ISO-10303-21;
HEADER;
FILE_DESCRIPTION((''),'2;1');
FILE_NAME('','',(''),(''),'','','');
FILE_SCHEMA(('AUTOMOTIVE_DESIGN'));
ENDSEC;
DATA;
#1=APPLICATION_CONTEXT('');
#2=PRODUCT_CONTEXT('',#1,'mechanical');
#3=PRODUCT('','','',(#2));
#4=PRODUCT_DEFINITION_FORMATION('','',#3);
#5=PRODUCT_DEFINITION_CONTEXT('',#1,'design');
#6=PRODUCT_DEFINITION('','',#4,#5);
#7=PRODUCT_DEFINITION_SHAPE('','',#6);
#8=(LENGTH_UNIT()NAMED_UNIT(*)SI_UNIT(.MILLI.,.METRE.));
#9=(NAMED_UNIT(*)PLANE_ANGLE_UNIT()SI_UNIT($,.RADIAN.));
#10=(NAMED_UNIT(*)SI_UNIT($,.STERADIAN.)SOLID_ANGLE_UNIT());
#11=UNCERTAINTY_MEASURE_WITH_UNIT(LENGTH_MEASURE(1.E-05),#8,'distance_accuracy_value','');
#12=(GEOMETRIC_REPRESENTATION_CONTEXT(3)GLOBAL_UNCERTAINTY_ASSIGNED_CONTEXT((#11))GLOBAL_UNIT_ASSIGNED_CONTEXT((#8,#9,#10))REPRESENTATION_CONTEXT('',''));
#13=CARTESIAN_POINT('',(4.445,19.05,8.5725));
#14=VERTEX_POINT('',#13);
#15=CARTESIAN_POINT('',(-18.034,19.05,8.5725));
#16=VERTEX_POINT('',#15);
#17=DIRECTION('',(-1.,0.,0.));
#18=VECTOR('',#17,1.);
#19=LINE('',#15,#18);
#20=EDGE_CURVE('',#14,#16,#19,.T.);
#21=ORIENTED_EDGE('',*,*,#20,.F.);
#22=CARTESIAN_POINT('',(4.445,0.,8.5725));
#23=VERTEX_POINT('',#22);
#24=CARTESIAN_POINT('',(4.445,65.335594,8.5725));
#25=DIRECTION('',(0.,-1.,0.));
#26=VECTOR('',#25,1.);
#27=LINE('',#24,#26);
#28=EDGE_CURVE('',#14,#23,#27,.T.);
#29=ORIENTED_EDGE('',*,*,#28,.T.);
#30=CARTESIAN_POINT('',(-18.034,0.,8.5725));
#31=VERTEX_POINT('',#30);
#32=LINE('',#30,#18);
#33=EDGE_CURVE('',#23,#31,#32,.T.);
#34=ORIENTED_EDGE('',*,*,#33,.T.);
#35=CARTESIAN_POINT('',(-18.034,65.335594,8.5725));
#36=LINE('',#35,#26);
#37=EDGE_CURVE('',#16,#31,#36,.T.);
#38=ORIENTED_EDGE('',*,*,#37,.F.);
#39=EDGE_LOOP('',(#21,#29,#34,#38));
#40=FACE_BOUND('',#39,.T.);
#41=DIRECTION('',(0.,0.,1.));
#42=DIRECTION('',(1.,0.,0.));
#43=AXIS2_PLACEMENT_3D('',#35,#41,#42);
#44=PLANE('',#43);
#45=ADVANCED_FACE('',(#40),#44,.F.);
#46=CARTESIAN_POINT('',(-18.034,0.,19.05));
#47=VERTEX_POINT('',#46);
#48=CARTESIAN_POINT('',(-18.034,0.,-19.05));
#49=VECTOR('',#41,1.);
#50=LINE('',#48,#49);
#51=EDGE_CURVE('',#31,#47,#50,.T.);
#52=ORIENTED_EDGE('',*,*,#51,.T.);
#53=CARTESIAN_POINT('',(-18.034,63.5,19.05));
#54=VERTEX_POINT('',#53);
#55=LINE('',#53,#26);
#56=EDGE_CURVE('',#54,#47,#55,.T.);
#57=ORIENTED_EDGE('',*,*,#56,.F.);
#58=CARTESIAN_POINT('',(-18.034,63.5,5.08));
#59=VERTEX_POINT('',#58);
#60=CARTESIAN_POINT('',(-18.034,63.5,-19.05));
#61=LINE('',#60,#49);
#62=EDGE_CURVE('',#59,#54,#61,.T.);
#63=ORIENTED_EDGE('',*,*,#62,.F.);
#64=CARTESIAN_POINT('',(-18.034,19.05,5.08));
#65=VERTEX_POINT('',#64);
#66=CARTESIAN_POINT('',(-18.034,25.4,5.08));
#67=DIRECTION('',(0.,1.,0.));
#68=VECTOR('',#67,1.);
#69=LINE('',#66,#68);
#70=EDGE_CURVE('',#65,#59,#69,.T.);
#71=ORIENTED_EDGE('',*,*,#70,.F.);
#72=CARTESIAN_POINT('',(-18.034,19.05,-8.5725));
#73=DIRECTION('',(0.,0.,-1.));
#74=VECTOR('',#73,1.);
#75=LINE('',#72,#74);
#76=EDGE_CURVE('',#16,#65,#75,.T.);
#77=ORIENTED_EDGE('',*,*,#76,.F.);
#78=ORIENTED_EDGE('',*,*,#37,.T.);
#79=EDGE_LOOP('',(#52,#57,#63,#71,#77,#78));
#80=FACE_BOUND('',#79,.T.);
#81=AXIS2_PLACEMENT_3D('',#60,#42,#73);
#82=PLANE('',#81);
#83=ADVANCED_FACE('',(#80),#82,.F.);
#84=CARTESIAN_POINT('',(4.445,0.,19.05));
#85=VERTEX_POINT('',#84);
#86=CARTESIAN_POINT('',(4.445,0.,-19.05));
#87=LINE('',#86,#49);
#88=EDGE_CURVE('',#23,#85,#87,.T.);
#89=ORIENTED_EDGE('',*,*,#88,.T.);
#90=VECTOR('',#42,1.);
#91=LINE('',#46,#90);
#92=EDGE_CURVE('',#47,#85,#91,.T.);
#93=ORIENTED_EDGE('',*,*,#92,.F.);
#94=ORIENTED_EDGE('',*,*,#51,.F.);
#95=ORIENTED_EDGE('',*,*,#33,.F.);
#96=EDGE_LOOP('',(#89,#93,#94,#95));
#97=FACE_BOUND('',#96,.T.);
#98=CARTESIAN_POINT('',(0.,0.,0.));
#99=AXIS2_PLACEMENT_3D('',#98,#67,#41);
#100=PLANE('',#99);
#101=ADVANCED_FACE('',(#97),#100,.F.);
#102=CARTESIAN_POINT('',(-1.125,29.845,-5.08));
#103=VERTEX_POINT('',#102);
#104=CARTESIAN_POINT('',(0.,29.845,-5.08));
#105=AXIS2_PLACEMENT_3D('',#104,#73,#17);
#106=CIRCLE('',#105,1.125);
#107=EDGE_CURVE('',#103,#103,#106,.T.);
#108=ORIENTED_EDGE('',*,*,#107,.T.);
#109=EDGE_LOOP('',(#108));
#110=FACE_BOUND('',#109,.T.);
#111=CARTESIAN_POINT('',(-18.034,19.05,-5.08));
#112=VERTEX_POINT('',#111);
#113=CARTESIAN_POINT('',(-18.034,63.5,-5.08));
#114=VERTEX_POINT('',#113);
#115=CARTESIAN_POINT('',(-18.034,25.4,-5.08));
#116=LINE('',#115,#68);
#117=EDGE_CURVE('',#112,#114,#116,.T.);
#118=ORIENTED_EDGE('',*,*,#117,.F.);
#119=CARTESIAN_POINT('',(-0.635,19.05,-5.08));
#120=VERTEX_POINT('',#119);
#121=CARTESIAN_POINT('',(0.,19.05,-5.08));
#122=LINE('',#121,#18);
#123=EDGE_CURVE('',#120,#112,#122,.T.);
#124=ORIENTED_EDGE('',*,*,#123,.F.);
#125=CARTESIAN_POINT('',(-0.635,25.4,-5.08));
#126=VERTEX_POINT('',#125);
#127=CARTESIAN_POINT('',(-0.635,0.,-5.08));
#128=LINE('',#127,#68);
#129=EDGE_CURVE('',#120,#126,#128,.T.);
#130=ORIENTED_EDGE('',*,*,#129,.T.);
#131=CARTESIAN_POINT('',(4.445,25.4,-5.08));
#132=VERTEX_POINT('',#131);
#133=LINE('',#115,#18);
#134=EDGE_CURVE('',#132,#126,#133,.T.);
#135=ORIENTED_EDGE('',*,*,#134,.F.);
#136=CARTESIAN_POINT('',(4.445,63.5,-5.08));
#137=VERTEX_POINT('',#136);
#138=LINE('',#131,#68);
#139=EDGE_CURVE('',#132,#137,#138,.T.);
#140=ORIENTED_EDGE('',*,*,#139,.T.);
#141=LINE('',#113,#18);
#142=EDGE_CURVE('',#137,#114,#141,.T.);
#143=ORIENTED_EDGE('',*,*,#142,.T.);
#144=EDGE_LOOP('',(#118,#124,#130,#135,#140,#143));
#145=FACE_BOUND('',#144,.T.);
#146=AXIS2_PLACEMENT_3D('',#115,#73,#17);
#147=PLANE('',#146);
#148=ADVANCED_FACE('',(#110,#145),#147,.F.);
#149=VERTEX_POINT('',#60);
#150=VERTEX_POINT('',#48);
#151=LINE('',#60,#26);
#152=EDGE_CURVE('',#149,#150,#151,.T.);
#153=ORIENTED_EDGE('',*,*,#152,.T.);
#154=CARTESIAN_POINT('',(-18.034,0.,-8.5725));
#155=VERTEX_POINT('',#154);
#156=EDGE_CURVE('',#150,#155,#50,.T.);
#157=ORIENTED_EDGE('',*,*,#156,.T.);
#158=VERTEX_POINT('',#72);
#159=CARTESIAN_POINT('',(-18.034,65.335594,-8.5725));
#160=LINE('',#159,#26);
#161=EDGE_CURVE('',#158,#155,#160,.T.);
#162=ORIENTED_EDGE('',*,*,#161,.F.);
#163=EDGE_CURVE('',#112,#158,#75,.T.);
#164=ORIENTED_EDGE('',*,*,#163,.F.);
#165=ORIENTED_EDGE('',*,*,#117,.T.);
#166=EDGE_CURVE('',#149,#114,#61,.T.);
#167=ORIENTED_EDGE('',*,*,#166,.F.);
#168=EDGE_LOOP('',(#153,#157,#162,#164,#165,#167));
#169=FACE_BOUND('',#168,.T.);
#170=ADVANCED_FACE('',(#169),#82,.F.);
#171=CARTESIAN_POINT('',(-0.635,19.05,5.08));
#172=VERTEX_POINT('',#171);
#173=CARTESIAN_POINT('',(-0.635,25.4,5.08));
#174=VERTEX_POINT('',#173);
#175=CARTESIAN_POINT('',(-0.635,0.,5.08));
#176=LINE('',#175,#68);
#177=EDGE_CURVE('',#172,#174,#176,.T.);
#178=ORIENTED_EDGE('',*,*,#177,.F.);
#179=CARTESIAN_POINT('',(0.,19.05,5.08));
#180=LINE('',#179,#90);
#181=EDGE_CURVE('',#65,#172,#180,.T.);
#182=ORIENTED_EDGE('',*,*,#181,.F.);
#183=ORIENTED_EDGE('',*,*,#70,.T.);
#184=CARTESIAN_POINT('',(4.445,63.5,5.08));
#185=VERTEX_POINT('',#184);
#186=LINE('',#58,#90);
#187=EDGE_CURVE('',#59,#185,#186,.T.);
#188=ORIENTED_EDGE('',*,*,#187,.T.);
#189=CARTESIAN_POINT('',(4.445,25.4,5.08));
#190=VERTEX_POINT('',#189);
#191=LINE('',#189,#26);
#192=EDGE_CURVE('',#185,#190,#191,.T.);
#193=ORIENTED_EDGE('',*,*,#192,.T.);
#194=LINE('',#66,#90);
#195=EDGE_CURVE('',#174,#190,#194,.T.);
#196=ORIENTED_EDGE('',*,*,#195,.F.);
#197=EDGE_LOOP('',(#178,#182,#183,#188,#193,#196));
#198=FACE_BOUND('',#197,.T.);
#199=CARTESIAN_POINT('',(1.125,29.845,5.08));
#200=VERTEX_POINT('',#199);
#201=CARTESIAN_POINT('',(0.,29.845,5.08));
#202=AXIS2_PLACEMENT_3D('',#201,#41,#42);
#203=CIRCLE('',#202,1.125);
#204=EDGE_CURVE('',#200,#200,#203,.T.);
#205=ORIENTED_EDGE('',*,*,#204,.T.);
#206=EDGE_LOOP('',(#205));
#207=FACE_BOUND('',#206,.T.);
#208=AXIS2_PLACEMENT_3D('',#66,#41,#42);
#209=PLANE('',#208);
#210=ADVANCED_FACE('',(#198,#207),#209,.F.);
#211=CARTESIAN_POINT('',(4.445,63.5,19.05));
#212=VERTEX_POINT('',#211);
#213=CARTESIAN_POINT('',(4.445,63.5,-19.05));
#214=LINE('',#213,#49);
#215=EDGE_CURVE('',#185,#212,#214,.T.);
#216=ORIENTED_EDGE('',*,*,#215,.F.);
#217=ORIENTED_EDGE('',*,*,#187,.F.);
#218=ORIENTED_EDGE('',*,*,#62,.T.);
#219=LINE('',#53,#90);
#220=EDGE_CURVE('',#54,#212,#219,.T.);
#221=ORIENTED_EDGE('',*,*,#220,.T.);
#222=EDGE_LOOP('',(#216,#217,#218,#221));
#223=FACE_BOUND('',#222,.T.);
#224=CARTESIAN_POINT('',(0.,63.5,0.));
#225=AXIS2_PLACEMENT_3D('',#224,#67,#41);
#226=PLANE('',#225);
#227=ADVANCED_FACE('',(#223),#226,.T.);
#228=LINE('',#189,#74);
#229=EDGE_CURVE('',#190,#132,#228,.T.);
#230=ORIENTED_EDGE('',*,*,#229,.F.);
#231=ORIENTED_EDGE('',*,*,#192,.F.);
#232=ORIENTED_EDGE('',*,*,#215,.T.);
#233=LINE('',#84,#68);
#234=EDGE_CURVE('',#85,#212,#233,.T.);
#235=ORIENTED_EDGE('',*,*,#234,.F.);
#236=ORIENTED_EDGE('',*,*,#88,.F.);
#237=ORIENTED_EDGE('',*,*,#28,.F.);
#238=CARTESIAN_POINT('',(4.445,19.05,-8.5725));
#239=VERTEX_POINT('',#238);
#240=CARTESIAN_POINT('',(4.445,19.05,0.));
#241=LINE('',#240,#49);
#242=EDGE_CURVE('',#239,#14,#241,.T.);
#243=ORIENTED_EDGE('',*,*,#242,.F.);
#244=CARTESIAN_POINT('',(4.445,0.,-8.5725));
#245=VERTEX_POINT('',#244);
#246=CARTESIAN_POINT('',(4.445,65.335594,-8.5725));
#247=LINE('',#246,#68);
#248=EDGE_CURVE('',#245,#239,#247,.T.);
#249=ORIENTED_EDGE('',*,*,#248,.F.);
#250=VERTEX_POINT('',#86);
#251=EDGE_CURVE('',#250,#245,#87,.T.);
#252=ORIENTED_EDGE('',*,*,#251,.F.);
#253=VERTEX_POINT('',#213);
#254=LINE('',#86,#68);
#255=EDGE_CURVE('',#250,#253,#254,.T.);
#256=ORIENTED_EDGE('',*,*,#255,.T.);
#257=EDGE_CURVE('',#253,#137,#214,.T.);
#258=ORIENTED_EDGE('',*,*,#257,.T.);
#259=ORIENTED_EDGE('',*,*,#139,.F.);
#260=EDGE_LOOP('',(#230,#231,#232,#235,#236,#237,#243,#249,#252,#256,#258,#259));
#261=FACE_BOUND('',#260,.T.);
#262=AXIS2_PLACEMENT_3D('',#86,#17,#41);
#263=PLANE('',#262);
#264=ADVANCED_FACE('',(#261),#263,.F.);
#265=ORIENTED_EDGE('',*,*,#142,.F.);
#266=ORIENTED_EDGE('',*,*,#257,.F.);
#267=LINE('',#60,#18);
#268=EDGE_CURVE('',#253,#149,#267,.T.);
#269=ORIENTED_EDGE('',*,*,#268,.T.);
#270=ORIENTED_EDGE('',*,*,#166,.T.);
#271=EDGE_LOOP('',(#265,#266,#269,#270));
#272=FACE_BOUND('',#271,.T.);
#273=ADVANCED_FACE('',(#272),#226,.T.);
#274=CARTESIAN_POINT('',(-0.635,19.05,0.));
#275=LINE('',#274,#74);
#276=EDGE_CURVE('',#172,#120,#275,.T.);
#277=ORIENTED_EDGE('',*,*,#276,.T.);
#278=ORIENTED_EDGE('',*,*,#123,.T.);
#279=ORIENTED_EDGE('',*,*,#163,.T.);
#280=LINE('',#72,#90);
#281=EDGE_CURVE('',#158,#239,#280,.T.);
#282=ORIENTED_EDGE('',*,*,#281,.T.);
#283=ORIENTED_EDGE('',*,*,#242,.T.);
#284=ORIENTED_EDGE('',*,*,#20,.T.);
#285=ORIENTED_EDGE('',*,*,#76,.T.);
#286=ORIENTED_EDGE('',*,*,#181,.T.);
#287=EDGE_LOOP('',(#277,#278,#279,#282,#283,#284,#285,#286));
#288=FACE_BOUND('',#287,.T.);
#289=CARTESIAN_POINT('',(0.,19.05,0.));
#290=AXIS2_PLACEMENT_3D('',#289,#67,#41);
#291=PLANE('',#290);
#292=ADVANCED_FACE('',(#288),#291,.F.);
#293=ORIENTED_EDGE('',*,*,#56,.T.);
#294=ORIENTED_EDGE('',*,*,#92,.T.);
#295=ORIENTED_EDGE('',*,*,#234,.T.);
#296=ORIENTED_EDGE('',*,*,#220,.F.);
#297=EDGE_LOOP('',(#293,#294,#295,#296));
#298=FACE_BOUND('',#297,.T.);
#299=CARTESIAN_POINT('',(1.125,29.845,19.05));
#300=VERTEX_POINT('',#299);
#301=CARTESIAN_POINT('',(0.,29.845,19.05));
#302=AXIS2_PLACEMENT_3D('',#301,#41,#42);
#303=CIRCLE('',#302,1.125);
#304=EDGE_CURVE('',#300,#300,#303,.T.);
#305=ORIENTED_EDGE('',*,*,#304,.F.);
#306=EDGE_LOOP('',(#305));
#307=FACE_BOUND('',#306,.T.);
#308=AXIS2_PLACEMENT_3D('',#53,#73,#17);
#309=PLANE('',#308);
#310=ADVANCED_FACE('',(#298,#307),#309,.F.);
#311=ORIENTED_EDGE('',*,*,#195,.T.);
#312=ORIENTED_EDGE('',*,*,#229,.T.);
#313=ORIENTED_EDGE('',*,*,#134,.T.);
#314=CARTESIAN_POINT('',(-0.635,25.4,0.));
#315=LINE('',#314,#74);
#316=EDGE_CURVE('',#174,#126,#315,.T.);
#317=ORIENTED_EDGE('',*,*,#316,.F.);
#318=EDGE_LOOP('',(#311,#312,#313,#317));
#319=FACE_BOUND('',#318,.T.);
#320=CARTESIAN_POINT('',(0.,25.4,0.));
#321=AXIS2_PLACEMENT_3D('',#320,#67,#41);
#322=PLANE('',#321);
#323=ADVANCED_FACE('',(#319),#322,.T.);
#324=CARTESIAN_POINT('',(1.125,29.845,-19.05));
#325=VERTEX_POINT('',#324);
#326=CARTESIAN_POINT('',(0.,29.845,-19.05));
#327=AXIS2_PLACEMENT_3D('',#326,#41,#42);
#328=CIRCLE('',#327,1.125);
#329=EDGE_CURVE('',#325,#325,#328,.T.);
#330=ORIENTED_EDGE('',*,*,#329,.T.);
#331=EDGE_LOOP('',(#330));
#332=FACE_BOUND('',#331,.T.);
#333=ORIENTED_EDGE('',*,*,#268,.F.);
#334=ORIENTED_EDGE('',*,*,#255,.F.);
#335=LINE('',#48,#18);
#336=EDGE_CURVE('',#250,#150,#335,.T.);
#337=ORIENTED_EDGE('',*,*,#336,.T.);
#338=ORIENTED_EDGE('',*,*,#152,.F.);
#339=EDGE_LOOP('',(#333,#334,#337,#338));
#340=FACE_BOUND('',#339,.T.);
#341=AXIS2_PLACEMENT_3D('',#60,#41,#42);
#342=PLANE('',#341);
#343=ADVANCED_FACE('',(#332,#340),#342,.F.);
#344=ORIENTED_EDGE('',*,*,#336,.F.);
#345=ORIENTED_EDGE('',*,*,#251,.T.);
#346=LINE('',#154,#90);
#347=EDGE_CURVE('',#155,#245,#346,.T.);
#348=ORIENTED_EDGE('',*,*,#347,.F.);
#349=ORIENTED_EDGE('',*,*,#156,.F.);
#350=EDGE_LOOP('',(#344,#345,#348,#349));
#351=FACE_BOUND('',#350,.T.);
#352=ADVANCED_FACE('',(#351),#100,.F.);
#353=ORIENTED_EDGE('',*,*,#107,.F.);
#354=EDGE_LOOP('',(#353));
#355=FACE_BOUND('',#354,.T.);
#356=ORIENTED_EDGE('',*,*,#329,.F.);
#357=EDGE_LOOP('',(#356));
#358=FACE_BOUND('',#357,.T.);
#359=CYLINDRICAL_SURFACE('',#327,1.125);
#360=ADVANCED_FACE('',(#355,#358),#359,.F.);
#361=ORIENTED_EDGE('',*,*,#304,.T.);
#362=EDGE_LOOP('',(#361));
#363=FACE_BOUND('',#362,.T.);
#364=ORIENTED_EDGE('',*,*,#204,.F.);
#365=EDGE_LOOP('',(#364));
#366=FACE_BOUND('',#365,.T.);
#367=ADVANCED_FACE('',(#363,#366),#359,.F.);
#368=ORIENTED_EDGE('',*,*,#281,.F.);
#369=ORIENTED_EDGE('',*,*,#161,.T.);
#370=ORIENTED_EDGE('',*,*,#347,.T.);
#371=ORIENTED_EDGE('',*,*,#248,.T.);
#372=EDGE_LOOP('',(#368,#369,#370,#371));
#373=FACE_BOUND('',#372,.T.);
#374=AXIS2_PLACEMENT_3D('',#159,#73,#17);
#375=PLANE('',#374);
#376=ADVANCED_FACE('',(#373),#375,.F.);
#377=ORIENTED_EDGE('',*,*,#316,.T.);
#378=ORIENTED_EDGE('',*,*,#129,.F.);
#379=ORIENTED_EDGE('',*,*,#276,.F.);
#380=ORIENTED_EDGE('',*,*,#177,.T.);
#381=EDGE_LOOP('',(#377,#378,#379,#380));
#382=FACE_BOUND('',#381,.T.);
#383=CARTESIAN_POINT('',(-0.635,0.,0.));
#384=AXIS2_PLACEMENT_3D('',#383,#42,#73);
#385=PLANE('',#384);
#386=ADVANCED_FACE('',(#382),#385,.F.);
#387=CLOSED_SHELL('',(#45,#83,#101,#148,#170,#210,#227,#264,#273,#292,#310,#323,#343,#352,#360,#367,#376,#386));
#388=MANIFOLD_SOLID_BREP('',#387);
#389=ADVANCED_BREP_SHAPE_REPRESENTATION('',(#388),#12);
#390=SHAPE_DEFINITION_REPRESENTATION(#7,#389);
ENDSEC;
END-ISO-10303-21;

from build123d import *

# Parameters (mm, degrees)
SKETCH1_W               = 36.068
SKETCH1_H               = 38.1
BOSS_EXTRUDE1_DEPTH     = 63.5
SKETCH3_W               = 36.068
SKETCH3_H               = 10.16
CUT_EXTRUDE1_DEPTH      = 38.1
SKETCH4_W               = 36.068
SKETCH4_H               = 17.145
CUT_EXTRUDE2_DEPTH      = 19.05
SKETCH5_W               = 17.399
SKETCH5_H               = 10.16
CUT_EXTRUDE3_DEPTH      = 47.257298408
CUT_EXTRUDE4_DEPTH      = 71.283227416
CUT_EXTRUDE4_DEPTH_BACK = 71.283227416
SKETCH6_R               = 1.125
SKETCH7_W               = 13.589
SKETCH7_H               = 38.1
CUT_EXTRUDE6_DEPTH      = 69.705004592
SKETCH8_W               = 10.16
SKETCH8_H               = 6.35
BOSS_EXTRUDE2_DEPTH     = 3.81


with BuildPart() as part:
    # Sketch1 → Boss-Extrude1 (new body)
    with BuildSketch(Plane(origin=(0, 0, 0), x_dir=(1, 0, 0), z_dir=(0, 1, 0))):
        Rectangle(SKETCH1_W, SKETCH1_H)
    extrude(amount=BOSS_EXTRUDE1_DEPTH)

    # Sketch3 → Cut-Extrude1 (cut)
    with BuildSketch(Plane(origin=(0, 63.5, 0), x_dir=(1, 0, 0), z_dir=(0, 1, 0))):
        Rectangle(SKETCH3_W, SKETCH3_H)
    extrude(amount=-CUT_EXTRUDE1_DEPTH, mode=Mode.SUBTRACT)

    # Sketch4 → Cut-Extrude2 (cut)
    with BuildSketch(Plane.XZ):
        Rectangle(SKETCH4_W, SKETCH4_H)
    extrude(amount=-CUT_EXTRUDE2_DEPTH, mode=Mode.SUBTRACT)

    # Sketch5 → Cut-Extrude3 (cut, through all)
    with BuildSketch(Plane(origin=(0, 25.4, 0), x_dir=(1, 0, 0), z_dir=(0, 1, 0))):
        with Locations((-9.3345, 0)):
            Rectangle(SKETCH5_W, SKETCH5_H)
        with Locations((9.3345, 0)):
            Rectangle(SKETCH5_W, SKETCH5_H)
    extrude(amount=-CUT_EXTRUDE3_DEPTH, mode=Mode.SUBTRACT)

    # Sketch6 → Cut-Extrude4 (cut, two sides: drawn at the far end of the back side and taken through both)
    with BuildSketch(Plane.XY.offset(-5.08).offset(-CUT_EXTRUDE4_DEPTH_BACK)):
        with Locations((0, 29.845)):
            Circle(SKETCH6_R)
    extrude(amount=CUT_EXTRUDE4_DEPTH + CUT_EXTRUDE4_DEPTH_BACK, mode=Mode.SUBTRACT)

    # Sketch7 → Cut-Extrude6 (cut, through all)
    with BuildSketch(Plane(origin=(0, 63.5, 0), x_dir=(1, 0, 0), z_dir=(0, 1, 0))):
        with Locations((11.2395, 0)):
            Rectangle(SKETCH7_W, SKETCH7_H)
    extrude(amount=-CUT_EXTRUDE6_DEPTH, mode=Mode.SUBTRACT)

    # Sketch8 → Boss-Extrude2 (add)
    with BuildSketch(Plane(origin=(0.635, 0, 0), x_dir=(0, 0, -1), z_dir=(1, 0, 0))):
        with Locations((0, 22.225)):
            Rectangle(SKETCH8_W, SKETCH8_H)
    extrude(amount=BOSS_EXTRUDE2_DEPTH)


solid = part.part
